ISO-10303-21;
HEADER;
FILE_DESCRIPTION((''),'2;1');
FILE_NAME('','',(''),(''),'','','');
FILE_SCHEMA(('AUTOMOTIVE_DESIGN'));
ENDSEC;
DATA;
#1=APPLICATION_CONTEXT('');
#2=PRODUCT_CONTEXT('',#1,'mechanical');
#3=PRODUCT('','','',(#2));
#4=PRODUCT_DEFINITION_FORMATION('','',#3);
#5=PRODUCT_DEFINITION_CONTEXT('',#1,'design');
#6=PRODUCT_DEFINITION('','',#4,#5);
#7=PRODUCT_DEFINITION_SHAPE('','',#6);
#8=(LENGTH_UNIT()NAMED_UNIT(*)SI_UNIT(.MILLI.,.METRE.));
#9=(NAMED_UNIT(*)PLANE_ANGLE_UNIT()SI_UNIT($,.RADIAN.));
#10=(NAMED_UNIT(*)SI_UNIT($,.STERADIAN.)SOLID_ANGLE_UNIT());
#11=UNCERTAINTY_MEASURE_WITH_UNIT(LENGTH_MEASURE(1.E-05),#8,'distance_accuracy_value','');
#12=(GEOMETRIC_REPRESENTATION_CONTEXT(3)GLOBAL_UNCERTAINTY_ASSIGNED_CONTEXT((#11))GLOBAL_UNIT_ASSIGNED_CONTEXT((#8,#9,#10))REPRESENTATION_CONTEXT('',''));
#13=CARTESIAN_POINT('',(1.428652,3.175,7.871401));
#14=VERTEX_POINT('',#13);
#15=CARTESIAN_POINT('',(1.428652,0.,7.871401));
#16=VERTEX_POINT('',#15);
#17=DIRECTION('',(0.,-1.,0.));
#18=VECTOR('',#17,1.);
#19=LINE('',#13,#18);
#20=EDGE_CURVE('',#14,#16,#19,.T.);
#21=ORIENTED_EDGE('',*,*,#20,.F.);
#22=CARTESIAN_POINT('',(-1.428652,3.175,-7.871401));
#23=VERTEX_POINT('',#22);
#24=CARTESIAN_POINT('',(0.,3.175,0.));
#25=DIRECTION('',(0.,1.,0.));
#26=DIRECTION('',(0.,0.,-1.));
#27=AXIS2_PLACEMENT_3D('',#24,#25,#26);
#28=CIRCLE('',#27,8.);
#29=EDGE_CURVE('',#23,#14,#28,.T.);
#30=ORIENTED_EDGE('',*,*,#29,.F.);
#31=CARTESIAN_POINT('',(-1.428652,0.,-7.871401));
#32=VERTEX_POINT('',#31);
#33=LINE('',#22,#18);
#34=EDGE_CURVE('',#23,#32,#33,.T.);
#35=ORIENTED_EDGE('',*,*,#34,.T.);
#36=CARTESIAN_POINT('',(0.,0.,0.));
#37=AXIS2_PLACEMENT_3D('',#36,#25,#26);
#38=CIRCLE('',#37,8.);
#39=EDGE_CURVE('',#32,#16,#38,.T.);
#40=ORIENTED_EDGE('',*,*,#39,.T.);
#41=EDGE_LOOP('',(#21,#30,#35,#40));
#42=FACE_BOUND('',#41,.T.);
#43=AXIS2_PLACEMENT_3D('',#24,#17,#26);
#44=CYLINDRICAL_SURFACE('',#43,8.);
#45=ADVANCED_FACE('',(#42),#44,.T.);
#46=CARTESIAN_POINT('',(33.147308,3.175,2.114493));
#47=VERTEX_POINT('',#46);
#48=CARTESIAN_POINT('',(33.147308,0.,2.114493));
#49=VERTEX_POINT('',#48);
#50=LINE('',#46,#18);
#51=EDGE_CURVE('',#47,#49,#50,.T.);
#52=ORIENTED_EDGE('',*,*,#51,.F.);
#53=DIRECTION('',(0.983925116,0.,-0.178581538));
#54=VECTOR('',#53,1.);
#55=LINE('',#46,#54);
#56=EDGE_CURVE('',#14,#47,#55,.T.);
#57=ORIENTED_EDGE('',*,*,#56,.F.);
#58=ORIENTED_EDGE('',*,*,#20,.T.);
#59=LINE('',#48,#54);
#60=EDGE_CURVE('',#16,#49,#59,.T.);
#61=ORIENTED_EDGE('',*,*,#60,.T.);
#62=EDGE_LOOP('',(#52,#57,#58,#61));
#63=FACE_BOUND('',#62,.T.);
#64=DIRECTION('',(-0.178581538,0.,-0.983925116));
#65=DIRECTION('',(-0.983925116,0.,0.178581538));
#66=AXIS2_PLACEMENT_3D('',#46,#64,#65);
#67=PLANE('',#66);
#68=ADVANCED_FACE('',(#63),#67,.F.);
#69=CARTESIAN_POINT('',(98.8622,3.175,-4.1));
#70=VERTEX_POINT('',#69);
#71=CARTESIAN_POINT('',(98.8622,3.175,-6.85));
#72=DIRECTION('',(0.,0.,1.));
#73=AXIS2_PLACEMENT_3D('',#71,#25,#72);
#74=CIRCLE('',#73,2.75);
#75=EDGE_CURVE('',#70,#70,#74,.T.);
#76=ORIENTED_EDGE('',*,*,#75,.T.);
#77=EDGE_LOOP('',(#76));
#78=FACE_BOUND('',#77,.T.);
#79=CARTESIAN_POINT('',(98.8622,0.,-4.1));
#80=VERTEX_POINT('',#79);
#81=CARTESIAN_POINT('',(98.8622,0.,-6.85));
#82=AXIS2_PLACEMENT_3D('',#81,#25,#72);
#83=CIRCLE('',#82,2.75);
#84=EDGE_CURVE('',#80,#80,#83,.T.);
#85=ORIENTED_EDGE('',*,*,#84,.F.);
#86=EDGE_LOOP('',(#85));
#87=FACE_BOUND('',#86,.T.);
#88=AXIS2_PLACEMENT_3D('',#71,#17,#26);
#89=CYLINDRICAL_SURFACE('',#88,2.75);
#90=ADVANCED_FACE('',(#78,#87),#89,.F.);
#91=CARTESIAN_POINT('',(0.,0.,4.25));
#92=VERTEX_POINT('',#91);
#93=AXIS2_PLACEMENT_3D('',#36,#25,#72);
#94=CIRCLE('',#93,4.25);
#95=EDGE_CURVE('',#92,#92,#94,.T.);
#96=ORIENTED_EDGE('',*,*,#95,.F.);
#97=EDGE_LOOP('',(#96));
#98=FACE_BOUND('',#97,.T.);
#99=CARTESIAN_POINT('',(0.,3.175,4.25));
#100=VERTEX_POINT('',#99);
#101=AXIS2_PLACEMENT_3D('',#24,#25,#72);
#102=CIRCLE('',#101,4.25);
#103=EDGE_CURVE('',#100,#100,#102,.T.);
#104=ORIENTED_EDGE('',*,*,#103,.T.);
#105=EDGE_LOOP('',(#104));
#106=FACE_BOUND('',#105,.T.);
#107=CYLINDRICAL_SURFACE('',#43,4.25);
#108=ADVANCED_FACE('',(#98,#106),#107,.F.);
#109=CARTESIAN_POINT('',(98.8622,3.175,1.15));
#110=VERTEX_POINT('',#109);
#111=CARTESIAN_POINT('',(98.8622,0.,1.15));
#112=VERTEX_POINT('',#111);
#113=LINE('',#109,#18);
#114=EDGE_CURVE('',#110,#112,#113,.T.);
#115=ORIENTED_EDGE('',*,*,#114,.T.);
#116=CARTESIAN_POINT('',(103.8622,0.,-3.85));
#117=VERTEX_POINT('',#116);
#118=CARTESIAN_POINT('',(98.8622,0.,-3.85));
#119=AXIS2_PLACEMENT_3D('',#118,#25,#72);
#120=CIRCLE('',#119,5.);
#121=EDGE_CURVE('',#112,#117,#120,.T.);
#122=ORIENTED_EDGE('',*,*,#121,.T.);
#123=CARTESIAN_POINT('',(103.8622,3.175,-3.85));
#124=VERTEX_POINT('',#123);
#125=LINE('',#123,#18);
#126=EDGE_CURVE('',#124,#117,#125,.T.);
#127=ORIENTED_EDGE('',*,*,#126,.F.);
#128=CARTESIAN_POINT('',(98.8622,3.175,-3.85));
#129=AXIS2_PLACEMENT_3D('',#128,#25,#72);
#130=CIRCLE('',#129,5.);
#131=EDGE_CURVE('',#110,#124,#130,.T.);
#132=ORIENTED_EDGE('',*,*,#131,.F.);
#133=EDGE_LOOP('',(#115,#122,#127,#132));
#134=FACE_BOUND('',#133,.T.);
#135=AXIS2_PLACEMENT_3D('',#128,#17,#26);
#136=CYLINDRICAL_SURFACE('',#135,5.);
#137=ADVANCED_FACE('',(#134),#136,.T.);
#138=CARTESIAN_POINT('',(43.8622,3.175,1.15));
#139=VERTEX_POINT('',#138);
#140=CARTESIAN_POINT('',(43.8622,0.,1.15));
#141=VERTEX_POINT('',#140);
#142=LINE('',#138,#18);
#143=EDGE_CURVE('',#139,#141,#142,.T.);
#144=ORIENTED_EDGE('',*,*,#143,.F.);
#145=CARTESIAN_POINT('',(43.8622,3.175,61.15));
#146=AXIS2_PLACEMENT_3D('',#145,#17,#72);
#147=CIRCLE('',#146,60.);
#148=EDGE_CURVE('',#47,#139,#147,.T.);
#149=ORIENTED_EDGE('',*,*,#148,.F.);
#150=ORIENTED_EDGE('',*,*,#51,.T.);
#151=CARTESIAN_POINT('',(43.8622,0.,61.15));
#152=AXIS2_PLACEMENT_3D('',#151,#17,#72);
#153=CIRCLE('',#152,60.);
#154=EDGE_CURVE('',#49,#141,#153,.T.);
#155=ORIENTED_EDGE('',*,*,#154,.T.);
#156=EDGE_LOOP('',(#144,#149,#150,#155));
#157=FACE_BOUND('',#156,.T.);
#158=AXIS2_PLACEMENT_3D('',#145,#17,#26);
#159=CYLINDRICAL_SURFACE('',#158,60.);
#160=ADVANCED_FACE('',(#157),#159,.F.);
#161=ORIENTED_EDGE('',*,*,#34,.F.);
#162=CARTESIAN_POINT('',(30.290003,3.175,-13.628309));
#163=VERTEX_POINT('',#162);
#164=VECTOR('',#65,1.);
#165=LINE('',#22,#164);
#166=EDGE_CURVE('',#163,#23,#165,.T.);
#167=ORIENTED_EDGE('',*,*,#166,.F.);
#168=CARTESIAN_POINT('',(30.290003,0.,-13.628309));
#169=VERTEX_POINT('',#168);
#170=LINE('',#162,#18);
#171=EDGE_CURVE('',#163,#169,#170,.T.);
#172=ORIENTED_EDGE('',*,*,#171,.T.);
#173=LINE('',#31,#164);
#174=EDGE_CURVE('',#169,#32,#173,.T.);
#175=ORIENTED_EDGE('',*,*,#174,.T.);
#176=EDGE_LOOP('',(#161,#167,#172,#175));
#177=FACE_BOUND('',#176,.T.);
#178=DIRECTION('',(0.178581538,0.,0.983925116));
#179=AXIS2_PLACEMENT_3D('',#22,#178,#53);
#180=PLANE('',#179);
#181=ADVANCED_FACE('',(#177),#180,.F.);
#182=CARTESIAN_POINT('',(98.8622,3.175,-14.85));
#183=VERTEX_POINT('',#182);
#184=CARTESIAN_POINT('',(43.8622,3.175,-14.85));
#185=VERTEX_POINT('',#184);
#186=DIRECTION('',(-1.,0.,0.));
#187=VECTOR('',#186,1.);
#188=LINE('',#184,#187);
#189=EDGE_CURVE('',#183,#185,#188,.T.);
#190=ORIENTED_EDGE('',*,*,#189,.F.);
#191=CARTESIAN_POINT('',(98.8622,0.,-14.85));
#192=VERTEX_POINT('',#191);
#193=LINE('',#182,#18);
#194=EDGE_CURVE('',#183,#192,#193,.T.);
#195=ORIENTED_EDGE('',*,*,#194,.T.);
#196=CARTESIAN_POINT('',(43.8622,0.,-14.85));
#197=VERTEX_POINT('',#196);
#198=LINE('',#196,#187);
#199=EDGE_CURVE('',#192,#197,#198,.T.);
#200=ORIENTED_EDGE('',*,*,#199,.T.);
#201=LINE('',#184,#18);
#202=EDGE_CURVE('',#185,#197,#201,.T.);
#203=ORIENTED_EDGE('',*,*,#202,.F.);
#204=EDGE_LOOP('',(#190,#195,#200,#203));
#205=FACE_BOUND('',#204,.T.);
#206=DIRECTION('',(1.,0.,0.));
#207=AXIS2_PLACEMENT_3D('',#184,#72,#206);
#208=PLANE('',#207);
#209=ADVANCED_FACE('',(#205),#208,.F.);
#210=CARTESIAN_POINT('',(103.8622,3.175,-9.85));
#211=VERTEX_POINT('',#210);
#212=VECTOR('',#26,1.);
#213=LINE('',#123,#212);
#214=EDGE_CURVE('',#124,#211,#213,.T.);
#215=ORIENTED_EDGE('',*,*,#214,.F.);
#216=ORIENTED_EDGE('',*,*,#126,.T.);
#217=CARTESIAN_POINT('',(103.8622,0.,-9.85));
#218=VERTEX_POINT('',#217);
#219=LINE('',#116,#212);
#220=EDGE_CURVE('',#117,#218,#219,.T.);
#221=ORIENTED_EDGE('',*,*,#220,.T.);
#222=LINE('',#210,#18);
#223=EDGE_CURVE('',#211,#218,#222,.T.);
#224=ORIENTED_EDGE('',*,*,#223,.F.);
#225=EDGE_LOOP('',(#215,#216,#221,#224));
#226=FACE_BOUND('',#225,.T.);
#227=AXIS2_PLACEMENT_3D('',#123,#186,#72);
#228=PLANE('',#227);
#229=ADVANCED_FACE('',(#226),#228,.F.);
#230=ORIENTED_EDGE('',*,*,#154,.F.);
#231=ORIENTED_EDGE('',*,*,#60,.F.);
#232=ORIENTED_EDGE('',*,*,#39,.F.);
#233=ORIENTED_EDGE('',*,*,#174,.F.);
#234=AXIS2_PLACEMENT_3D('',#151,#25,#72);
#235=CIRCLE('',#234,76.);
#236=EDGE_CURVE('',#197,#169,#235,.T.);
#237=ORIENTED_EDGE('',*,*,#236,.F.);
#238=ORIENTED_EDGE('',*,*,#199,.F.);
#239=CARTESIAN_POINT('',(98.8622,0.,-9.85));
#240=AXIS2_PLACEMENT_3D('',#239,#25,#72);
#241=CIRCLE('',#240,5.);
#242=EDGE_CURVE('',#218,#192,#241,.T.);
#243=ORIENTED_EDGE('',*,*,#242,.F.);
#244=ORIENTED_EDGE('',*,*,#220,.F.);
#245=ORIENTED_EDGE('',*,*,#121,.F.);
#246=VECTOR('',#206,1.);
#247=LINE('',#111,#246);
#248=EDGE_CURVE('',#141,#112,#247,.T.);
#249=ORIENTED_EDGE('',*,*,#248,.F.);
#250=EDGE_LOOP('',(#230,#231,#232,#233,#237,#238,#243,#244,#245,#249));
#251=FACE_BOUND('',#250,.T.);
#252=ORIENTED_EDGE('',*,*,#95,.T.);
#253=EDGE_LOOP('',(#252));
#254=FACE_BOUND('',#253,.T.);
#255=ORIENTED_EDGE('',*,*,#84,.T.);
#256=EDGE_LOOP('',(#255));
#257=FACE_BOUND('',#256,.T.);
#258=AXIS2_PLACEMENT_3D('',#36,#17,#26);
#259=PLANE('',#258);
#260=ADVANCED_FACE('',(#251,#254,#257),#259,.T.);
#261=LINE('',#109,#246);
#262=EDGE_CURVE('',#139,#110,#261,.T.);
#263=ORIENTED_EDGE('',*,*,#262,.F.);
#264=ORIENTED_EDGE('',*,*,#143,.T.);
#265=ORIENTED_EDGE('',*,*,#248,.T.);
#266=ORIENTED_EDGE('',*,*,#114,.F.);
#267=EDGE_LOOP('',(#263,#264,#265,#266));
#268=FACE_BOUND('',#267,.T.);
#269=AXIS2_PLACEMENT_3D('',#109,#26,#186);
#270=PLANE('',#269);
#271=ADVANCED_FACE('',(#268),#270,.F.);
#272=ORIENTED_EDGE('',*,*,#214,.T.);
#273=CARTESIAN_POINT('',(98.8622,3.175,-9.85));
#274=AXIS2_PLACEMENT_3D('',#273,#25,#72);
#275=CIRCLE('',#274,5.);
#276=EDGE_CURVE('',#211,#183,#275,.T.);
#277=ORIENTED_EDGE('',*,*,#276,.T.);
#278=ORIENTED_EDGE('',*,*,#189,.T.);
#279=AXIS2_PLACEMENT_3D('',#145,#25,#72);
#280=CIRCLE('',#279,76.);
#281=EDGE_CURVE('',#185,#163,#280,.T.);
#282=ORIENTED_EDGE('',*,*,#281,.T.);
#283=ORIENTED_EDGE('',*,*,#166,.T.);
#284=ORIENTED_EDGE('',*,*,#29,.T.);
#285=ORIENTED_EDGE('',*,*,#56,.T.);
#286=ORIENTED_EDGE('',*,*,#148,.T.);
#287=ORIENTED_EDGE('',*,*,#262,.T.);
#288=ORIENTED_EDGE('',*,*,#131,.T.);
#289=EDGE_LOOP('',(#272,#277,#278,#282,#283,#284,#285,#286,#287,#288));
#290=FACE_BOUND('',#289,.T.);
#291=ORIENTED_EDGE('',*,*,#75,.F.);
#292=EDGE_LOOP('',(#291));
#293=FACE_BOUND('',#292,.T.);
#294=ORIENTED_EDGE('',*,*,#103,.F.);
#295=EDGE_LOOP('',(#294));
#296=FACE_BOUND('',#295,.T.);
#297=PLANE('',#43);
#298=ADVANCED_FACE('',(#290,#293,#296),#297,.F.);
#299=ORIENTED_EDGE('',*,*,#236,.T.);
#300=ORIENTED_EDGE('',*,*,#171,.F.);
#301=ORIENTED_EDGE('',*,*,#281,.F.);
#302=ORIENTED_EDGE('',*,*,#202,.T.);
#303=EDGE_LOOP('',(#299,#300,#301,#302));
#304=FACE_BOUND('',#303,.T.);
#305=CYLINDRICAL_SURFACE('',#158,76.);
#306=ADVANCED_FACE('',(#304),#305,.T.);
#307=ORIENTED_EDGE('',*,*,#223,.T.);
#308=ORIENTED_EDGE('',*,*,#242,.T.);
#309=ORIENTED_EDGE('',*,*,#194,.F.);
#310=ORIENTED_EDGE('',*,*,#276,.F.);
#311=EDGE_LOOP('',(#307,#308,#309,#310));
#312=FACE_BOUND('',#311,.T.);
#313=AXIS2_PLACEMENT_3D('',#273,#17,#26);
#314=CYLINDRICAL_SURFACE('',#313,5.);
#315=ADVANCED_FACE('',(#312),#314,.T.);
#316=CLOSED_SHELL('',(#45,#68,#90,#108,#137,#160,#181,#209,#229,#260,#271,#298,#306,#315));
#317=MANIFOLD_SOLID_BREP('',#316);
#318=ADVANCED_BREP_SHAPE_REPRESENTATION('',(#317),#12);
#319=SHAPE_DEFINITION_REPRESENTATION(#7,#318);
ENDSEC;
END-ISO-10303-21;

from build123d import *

# Parameters (mm, degrees)
SKETCH1_R           = 4.25
SKETCH1_R_2         = 2.75
BOSS_EXTRUDE1_DEPTH = 3.175


with BuildPart() as part:
    # Sketch1 → Boss-Extrude1 (new body)
    with BuildSketch(Plane(origin=(0, 0, 0), x_dir=(1, 0, 0), z_dir=(0, 1, 0))):
        with BuildLine():
            Line((-1.428652306, 7.871400929), (30.290003092, 13.628308828))
            ThreePointArc((30.290003092, 13.628308828), (37.048664607, 14.543961024), (43.8622, 14.85))
            Line((43.8622, 14.85), (98.8622, 14.85))
            ThreePointArc((98.8622, 14.85), (102.397733906, 13.385533906), (103.8622, 9.85))
            Line((103.8622, 9.85), (103.8622, 3.85))
            ThreePointArc((103.8622, 3.85), (102.397733906, 0.314466094), (98.8622, -1.15))
            Line((98.8622, -1.15), (43.8622, -1.15))
            ThreePointArc((43.8622, -1.15), (38.483093111, -1.391609718), (33.147307705, -2.114493031))
            Line((33.147307705, -2.114493031), (1.428652306, -7.871400929))
            ThreePointArc((1.428652306, -7.871400929), (-7.871400929, -1.428652306), (-1.428652306, 7.871400929))
        make_face()
        with Locations(Location((0, 0, 0), (0, 0, 270))):
            Circle(SKETCH1_R, mode=Mode.SUBTRACT)
        with Locations(Location((98.8622, 6.85, 0), (0, 0, 270))):
            Circle(SKETCH1_R_2, mode=Mode.SUBTRACT)
    extrude(amount=BOSS_EXTRUDE1_DEPTH)


solid = part.part
